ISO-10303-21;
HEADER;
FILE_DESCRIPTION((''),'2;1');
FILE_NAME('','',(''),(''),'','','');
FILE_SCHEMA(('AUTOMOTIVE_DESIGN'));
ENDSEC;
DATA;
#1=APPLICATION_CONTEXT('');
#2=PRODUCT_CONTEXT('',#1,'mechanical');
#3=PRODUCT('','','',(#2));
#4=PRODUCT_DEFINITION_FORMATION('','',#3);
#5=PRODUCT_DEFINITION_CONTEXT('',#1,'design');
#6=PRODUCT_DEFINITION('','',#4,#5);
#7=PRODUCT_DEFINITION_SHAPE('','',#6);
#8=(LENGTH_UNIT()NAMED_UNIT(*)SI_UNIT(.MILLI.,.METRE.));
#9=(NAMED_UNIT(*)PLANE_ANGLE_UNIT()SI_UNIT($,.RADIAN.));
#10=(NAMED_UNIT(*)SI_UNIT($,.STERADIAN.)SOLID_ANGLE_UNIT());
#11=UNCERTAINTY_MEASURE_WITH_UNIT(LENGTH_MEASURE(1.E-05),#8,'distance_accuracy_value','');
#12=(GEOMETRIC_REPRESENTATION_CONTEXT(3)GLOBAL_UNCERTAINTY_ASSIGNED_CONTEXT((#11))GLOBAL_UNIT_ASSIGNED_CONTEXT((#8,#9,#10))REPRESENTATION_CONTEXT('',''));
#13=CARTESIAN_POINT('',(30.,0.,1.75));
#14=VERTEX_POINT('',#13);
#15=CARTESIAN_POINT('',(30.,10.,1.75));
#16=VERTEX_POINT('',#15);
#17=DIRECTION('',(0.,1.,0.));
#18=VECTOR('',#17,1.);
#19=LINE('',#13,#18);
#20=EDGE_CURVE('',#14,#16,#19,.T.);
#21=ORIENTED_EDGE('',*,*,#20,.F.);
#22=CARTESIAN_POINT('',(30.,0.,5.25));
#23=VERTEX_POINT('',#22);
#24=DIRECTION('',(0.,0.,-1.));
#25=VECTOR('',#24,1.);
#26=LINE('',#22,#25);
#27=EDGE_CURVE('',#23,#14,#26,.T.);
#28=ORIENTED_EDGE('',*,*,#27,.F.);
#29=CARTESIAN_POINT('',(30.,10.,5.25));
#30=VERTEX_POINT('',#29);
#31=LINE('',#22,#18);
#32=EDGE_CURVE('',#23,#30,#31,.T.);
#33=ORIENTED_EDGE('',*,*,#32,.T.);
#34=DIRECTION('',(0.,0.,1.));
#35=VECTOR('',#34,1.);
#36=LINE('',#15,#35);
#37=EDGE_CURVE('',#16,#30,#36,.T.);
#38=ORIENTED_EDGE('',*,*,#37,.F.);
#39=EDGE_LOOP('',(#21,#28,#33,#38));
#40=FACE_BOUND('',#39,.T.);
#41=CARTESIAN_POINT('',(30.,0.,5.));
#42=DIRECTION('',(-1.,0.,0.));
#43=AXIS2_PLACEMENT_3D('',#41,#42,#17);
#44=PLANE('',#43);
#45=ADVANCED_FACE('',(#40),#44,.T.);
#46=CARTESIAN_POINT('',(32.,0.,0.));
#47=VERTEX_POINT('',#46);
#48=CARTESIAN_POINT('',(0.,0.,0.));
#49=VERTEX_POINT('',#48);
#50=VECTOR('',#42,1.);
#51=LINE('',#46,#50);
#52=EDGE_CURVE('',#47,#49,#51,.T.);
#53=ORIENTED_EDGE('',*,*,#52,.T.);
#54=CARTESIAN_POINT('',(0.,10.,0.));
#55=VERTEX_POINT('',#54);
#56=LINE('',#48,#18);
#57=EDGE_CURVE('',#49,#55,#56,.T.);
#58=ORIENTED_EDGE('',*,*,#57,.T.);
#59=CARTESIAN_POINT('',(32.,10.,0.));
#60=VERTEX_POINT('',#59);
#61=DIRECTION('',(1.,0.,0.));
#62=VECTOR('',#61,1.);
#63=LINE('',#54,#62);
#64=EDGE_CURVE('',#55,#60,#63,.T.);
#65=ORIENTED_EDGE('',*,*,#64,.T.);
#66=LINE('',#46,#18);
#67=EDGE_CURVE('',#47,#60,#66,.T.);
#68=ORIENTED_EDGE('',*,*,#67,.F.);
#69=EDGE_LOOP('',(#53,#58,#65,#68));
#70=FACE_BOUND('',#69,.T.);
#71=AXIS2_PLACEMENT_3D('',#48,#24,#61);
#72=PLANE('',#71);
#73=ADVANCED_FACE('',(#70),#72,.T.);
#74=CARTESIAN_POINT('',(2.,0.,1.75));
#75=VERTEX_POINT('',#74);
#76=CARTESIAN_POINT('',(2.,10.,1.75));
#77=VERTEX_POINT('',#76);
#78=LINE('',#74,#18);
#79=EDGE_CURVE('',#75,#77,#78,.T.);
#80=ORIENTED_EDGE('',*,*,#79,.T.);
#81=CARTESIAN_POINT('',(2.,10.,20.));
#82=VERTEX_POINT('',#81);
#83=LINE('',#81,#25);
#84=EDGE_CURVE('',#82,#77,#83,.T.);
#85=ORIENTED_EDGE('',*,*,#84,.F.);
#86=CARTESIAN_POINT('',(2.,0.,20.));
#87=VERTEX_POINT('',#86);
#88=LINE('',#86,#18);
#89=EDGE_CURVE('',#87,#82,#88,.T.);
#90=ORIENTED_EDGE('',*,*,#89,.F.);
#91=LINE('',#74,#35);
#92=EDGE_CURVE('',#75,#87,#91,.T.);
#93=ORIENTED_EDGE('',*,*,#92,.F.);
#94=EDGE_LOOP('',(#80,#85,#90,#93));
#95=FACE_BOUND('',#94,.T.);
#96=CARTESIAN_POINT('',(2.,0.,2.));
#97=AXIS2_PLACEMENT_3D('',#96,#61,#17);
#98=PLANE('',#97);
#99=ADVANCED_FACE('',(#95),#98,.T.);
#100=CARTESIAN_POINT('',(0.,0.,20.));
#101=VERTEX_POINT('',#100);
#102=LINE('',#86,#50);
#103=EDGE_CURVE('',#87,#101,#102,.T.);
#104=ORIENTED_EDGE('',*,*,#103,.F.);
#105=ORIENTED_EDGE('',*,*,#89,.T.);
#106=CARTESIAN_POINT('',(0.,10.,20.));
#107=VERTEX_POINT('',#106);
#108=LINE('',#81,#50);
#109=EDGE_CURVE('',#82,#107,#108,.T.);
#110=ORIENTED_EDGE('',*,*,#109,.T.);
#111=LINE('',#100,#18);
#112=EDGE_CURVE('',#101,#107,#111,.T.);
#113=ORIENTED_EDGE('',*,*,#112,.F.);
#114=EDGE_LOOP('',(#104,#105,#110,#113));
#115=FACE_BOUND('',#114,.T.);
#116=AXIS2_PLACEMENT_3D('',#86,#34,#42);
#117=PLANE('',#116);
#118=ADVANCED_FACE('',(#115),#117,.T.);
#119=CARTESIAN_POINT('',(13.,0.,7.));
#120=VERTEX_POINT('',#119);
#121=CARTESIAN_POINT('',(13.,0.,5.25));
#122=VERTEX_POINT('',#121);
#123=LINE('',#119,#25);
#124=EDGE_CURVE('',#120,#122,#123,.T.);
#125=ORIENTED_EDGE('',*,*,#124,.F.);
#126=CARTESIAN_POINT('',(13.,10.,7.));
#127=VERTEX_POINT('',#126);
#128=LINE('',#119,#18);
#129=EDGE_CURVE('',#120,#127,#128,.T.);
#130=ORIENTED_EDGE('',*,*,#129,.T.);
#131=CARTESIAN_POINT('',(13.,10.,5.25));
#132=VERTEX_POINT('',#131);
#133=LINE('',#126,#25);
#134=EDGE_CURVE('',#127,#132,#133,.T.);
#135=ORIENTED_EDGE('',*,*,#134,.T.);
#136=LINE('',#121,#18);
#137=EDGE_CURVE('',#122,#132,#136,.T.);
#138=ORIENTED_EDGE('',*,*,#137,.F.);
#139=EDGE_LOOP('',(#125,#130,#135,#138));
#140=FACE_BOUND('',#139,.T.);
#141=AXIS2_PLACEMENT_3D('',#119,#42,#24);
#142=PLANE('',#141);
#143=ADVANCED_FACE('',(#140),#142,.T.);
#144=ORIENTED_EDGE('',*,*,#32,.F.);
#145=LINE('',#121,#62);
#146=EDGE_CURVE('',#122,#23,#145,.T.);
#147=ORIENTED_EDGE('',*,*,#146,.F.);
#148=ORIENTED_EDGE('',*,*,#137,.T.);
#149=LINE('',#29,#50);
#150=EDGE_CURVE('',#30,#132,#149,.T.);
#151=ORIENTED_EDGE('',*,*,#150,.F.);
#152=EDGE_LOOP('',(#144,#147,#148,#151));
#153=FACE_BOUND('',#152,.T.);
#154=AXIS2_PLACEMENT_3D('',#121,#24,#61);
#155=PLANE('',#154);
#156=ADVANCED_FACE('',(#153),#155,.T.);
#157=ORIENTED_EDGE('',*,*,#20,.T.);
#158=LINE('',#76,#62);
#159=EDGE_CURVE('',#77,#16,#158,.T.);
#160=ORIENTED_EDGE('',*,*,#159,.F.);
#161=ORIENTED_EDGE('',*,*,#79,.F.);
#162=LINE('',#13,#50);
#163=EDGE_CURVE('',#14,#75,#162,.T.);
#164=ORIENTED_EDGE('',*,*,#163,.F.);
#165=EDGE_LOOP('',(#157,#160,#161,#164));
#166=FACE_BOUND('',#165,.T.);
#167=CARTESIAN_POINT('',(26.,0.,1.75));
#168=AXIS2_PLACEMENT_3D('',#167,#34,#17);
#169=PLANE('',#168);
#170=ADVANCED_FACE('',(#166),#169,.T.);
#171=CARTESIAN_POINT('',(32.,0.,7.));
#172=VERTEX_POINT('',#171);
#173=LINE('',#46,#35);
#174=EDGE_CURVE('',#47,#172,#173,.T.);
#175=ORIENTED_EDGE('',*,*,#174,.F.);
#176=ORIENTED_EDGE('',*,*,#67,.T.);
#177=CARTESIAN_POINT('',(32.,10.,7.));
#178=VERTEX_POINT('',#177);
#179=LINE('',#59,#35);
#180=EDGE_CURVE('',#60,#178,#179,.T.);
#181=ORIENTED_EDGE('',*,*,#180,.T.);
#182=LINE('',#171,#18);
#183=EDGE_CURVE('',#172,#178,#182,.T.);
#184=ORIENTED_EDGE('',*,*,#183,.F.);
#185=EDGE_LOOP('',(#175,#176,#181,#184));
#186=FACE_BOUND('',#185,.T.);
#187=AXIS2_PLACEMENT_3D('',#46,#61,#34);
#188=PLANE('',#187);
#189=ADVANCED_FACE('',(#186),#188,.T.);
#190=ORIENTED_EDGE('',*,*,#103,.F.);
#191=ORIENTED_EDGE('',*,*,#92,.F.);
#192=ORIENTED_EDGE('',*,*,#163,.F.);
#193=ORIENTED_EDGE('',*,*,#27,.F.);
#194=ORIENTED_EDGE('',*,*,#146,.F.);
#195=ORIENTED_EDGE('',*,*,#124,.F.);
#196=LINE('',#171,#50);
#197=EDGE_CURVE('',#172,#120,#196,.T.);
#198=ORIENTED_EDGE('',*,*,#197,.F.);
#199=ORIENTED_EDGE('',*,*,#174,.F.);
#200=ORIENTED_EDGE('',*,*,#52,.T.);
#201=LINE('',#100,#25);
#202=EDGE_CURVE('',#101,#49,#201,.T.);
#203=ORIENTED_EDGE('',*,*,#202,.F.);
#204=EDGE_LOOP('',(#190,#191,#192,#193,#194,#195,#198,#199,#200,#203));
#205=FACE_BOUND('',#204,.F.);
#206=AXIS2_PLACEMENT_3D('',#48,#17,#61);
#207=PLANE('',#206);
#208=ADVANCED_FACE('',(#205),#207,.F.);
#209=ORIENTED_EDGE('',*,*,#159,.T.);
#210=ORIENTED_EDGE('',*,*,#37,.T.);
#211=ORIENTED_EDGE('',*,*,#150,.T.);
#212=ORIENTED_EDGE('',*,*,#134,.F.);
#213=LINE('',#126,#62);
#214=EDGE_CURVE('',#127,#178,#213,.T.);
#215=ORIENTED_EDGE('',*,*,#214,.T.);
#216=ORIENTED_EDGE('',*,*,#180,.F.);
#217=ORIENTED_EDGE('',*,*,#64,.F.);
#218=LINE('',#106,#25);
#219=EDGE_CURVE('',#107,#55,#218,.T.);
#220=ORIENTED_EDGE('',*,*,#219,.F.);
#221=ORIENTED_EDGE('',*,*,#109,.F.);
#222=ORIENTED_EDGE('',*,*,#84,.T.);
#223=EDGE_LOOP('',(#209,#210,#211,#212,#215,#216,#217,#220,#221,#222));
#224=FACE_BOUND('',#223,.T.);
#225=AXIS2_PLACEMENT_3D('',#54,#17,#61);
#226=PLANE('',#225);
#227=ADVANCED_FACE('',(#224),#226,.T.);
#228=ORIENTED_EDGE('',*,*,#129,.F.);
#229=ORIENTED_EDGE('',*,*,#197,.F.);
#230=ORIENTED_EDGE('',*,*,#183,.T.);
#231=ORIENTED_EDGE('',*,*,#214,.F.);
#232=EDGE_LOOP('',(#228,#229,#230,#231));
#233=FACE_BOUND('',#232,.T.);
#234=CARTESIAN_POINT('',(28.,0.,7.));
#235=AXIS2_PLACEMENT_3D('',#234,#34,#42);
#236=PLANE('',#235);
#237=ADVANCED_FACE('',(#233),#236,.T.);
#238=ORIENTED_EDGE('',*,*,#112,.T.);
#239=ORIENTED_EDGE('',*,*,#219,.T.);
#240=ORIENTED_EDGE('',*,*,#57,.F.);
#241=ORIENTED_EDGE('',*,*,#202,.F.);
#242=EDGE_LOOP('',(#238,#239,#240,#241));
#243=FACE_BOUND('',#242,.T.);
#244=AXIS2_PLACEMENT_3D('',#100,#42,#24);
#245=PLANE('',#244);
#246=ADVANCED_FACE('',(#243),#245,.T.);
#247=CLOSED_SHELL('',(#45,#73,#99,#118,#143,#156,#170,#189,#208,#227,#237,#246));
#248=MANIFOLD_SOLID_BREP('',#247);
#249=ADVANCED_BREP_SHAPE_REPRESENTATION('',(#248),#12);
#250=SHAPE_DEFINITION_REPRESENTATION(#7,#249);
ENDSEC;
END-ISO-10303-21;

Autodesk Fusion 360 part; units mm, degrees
sketch "Sketch1" plane through (0, 0, 0) normal (0, 1, 0) x (1, 0, 0)
  line L0 (0, 0) -> (28, 0)
  line L1 (28, 0) -> (28, -7)
  line L2 (28, -7) -> (13, -7)
  line L3 (13, -7) -> (13, -5)
  line L4 (13, -5) -> (26, -5)
  line L5 (26, -5) -> (26, -2)
  line L6 (26, -2) -> (2, -2)
  line L7 (2, -2) -> (2, -20)
  line L8 (2, -20) -> (0, -20)
  line L9 (0, -20) -> (0, 0)
extrude "Extrude1" add sketch "Sketch1" along normal blind 10
extrude "Extrude2" add 1 faces at (28, 3.3333, 2.3333) along direction (1, 0, 0) blind 4
extrude "Extrude3" cut 1 faces at (26, 3.3333, 4) along direction (1, 0, 0) blind 4
extrude "Extrude4" cut 1 faces at (18.6667, 3.3333, 5) along direction (0, 0, 1) blind 0.25
extrude "Extrude5" cut 1 faces at (11.3333, 3.3333, 2) along direction (0, 0, -1) blind 0.25
